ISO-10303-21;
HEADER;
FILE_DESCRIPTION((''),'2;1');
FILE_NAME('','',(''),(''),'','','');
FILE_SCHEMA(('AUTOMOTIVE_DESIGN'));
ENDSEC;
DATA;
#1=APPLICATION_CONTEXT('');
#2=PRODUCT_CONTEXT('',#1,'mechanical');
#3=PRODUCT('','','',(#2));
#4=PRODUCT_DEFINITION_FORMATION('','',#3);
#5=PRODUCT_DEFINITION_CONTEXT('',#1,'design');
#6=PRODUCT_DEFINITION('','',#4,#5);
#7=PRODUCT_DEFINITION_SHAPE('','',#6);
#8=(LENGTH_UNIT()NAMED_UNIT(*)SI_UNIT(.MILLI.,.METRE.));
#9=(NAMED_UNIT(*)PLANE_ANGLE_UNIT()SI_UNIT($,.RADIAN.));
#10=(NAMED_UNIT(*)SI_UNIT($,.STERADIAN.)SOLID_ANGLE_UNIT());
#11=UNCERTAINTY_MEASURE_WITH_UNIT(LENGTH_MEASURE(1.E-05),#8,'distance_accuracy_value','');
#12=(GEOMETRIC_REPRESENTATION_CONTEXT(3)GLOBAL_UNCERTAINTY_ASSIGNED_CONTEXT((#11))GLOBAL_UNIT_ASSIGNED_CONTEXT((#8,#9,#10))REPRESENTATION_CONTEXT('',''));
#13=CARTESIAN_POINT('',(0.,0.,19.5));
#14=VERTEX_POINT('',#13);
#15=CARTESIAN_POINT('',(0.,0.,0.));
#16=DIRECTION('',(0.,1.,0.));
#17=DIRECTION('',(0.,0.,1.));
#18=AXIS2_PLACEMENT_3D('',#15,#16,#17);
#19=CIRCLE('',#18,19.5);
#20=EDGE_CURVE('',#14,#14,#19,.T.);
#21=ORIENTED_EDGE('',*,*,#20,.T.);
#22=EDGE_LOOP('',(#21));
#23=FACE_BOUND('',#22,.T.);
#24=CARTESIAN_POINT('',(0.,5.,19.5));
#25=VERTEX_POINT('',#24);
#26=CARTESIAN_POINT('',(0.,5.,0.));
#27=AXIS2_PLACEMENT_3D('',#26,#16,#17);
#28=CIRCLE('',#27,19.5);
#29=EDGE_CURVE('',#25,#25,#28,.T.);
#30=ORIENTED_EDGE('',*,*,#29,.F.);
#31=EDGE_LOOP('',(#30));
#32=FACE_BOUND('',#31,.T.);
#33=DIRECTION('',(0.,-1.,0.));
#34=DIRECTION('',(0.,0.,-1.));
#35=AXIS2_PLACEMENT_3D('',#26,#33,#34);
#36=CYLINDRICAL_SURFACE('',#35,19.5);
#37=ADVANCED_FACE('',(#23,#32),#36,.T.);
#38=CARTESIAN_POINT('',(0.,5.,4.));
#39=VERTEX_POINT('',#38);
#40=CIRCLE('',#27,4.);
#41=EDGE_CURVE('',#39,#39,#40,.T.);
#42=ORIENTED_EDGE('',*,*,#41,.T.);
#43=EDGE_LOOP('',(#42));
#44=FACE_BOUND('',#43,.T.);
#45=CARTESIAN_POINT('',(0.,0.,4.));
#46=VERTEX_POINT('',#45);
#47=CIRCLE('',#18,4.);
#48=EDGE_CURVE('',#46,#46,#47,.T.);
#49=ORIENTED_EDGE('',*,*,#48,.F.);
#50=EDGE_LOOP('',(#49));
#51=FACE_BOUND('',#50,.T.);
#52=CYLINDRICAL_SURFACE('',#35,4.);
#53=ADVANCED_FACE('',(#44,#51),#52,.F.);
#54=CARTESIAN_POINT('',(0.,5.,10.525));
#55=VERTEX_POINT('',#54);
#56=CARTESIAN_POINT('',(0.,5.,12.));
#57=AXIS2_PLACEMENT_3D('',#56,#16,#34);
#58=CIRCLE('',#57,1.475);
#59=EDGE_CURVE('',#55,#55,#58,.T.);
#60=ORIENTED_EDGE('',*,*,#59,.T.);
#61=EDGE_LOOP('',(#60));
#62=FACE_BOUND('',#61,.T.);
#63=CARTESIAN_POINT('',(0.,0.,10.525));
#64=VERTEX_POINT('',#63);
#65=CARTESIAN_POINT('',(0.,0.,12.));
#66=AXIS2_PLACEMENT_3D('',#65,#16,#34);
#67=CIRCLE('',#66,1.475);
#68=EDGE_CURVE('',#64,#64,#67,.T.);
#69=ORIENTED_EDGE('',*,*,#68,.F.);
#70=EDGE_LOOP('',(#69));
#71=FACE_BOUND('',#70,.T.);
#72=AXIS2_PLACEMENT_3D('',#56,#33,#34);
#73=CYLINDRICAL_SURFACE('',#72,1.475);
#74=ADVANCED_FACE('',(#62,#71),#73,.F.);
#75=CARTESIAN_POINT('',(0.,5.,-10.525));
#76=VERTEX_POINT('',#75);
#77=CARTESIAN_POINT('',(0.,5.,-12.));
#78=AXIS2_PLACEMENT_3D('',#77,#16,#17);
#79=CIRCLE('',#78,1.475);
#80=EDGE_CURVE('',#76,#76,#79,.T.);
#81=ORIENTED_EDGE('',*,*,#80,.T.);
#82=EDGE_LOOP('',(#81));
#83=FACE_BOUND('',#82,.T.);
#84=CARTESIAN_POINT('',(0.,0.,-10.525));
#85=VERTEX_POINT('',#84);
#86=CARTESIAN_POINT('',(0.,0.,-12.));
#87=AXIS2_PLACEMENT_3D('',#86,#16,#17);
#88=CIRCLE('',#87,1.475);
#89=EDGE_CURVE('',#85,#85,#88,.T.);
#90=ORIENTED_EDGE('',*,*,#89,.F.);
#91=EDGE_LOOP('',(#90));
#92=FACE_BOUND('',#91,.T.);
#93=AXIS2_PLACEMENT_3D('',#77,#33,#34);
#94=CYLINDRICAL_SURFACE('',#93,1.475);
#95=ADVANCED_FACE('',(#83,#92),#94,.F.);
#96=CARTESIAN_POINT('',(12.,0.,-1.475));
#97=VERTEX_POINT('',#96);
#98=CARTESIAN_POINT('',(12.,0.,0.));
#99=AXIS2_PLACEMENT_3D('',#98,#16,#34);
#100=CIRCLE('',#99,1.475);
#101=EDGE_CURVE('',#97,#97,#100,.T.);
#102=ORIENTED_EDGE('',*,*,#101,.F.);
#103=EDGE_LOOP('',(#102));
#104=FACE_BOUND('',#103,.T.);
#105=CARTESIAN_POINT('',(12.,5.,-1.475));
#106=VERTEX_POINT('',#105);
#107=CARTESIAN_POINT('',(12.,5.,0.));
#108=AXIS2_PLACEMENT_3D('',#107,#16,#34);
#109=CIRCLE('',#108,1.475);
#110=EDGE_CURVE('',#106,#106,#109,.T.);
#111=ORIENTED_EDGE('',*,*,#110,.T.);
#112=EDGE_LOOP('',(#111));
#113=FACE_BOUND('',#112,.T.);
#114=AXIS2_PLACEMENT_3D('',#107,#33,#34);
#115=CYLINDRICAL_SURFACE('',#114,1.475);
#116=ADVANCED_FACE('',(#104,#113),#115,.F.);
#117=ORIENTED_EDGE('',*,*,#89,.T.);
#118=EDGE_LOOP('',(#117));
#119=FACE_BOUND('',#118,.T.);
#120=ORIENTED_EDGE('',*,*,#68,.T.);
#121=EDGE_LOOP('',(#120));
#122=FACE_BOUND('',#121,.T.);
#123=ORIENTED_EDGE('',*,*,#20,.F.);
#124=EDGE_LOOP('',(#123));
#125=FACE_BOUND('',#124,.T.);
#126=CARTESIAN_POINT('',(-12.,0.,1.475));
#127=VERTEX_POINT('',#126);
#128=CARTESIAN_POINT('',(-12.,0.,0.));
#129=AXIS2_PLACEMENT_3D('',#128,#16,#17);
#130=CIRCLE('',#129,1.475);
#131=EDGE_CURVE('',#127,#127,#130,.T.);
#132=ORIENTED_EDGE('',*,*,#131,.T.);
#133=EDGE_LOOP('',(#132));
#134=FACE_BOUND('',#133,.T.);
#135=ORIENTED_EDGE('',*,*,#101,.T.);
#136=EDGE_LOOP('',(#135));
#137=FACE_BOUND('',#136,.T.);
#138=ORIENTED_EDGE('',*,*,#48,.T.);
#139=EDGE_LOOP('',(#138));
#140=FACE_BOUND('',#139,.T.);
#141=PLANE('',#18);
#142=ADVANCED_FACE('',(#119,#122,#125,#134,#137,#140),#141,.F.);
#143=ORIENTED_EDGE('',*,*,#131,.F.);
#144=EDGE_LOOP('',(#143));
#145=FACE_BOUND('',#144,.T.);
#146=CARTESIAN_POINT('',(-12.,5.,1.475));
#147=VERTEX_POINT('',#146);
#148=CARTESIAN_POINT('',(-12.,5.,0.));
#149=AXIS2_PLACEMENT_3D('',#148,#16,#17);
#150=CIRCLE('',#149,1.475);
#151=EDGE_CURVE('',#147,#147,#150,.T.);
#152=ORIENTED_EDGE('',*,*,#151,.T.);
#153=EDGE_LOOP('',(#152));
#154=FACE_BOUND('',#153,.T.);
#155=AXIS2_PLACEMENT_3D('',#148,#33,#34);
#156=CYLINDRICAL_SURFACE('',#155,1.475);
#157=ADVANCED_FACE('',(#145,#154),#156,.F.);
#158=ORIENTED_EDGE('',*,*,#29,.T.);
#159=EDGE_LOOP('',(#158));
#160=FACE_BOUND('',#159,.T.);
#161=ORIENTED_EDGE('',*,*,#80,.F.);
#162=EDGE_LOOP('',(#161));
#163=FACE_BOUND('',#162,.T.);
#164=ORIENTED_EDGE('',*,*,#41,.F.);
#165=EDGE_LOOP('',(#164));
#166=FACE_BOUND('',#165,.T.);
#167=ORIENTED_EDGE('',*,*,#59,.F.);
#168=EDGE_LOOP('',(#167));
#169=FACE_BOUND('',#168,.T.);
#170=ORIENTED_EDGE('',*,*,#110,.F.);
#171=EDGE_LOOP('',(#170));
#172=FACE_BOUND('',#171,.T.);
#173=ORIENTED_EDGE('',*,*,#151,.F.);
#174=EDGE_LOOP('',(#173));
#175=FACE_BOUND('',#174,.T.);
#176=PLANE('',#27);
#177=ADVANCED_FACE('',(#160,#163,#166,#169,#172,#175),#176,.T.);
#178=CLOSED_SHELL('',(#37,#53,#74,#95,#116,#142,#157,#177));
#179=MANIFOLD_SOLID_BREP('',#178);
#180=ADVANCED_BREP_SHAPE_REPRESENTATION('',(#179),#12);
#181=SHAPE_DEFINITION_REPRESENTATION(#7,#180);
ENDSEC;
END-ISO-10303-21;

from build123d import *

# Parameters (mm, degrees)
SKETCH1_R           = 19.5
SKETCH1_R_2         = 4
SKETCH1_R_3         = 1.475
BOSS_EXTRUDE1_DEPTH = 5


with BuildPart() as part:
    # Sketch1 → Boss-Extrude1 (new body)
    with BuildSketch(Plane(origin=(0, 0, 0), x_dir=(1, 0, 0), z_dir=(0, 1, 0))):
        with Locations(Location((0, 0, 0), (0, 0, 270))):
            Circle(SKETCH1_R)
        with Locations(Location((0, 0, 0), (0, 0, 270))):
            Circle(SKETCH1_R_2, mode=Mode.SUBTRACT)
        with Locations(Location((0, 12, 0), (0, 0, 270))):
            Circle(SKETCH1_R_3, mode=Mode.SUBTRACT)
        with Locations(Location((-12, 0, 0), (0, 0, 270))):
            Circle(SKETCH1_R_3, mode=Mode.SUBTRACT)
        with Locations(Location((12, 0, 0), (0, 0, 90))):
            Circle(SKETCH1_R_3, mode=Mode.SUBTRACT)
        with Locations(Location((0, -12, 0), (0, 0, 90))):
            Circle(SKETCH1_R_3, mode=Mode.SUBTRACT)
    extrude(amount=BOSS_EXTRUDE1_DEPTH)


solid = part.part
